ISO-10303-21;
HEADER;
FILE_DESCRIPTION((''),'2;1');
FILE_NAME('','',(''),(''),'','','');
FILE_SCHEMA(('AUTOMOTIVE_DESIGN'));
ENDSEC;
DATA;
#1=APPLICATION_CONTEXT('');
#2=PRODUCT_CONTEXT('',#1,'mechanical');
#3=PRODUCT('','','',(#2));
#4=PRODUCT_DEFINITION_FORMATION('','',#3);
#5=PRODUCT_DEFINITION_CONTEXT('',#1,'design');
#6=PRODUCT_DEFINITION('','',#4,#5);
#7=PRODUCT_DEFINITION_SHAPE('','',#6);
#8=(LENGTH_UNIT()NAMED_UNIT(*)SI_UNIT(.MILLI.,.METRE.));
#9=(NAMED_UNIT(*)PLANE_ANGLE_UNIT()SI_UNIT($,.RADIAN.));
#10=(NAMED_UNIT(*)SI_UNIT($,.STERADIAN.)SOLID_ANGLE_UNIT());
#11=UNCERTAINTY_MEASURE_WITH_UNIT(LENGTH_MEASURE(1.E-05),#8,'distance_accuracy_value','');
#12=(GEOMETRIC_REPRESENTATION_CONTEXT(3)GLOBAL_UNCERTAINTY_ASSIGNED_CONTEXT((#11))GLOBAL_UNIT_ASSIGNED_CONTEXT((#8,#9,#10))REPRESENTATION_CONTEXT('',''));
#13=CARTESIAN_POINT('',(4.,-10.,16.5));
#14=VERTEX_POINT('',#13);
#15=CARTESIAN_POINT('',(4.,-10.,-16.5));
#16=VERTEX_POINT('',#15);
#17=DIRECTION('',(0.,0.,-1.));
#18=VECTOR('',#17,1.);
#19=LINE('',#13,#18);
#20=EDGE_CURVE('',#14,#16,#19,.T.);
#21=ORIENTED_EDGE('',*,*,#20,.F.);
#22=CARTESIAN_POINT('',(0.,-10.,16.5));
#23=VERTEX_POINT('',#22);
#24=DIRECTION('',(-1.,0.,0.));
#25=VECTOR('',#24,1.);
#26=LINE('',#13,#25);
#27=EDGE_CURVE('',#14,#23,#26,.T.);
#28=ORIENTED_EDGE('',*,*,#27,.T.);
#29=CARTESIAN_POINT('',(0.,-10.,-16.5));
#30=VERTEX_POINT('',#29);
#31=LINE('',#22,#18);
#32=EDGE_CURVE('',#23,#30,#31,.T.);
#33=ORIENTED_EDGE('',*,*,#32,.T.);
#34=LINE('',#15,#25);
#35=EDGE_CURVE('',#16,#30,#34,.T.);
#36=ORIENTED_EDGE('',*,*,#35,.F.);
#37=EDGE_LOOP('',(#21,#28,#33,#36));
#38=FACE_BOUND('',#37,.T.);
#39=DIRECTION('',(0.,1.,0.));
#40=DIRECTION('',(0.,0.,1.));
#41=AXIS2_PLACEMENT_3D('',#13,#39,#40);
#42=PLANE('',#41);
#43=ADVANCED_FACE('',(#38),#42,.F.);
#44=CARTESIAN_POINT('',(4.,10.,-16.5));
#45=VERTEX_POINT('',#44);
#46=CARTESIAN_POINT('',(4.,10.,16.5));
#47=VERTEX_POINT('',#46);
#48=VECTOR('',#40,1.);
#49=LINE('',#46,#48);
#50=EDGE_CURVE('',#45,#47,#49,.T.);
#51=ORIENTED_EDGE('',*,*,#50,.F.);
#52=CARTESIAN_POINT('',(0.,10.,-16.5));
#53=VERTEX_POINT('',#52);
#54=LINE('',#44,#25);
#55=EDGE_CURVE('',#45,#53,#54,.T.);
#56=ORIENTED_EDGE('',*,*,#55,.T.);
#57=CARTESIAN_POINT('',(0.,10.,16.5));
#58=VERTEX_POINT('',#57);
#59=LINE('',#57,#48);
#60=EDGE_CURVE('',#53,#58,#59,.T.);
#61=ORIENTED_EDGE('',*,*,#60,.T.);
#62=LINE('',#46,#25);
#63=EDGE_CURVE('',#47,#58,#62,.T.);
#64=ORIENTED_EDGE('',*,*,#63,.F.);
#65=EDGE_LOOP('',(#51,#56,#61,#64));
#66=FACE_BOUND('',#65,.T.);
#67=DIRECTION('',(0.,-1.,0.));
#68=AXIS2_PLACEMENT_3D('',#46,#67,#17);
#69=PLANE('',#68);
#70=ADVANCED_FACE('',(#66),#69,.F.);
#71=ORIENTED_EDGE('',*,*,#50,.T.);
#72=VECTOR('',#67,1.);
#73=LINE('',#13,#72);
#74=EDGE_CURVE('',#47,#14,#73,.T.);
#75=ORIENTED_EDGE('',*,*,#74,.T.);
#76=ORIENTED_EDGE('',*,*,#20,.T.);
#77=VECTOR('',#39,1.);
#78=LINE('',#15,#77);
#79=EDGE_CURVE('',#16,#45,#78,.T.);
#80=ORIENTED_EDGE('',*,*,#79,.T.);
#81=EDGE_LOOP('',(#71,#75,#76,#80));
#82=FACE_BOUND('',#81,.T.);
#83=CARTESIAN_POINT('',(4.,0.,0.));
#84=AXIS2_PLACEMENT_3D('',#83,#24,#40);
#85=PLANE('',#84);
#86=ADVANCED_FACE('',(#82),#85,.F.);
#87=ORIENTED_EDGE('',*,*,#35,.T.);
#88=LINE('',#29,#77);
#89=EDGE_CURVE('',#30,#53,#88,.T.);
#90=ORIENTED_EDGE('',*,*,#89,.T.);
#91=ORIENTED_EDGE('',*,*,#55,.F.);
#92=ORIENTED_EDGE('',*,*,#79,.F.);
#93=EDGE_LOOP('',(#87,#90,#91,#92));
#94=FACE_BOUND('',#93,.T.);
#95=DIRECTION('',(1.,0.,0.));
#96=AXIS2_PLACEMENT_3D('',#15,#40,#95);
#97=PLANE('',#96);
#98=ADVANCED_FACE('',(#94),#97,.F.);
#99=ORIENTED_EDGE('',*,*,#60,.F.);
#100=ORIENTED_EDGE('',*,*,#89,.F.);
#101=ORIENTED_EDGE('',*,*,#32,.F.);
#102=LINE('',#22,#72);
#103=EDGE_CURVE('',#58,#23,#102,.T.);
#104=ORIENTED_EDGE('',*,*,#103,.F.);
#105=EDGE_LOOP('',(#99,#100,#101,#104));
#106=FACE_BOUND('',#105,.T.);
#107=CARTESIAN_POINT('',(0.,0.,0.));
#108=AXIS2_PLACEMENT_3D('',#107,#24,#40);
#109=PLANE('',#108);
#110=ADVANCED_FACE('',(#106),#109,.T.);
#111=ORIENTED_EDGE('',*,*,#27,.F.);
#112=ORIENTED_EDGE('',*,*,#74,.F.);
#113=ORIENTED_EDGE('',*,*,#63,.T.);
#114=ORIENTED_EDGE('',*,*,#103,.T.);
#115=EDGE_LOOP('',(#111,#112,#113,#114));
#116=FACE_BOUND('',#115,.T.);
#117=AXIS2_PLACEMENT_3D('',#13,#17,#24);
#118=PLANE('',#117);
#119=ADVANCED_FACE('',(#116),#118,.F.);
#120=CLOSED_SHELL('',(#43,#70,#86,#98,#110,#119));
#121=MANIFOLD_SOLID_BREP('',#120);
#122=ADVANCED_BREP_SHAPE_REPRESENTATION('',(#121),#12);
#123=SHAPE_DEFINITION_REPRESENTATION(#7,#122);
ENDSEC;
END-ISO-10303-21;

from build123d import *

# Parameters (mm, degrees)
CROQUIS1_W              = 33
CROQUIS1_H              = 20
SALIENTE_EXTRUIR1_DEPTH = 4


with BuildPart() as part:
    # Croquis1 → Saliente-Extruir1 (new body)
    with BuildSketch(Plane(origin=(0, 0, 0), x_dir=(0, 0, -1), z_dir=(1, 0, 0))):
        Rectangle(CROQUIS1_W, CROQUIS1_H)
    extrude(amount=SALIENTE_EXTRUIR1_DEPTH)


solid = part.part
